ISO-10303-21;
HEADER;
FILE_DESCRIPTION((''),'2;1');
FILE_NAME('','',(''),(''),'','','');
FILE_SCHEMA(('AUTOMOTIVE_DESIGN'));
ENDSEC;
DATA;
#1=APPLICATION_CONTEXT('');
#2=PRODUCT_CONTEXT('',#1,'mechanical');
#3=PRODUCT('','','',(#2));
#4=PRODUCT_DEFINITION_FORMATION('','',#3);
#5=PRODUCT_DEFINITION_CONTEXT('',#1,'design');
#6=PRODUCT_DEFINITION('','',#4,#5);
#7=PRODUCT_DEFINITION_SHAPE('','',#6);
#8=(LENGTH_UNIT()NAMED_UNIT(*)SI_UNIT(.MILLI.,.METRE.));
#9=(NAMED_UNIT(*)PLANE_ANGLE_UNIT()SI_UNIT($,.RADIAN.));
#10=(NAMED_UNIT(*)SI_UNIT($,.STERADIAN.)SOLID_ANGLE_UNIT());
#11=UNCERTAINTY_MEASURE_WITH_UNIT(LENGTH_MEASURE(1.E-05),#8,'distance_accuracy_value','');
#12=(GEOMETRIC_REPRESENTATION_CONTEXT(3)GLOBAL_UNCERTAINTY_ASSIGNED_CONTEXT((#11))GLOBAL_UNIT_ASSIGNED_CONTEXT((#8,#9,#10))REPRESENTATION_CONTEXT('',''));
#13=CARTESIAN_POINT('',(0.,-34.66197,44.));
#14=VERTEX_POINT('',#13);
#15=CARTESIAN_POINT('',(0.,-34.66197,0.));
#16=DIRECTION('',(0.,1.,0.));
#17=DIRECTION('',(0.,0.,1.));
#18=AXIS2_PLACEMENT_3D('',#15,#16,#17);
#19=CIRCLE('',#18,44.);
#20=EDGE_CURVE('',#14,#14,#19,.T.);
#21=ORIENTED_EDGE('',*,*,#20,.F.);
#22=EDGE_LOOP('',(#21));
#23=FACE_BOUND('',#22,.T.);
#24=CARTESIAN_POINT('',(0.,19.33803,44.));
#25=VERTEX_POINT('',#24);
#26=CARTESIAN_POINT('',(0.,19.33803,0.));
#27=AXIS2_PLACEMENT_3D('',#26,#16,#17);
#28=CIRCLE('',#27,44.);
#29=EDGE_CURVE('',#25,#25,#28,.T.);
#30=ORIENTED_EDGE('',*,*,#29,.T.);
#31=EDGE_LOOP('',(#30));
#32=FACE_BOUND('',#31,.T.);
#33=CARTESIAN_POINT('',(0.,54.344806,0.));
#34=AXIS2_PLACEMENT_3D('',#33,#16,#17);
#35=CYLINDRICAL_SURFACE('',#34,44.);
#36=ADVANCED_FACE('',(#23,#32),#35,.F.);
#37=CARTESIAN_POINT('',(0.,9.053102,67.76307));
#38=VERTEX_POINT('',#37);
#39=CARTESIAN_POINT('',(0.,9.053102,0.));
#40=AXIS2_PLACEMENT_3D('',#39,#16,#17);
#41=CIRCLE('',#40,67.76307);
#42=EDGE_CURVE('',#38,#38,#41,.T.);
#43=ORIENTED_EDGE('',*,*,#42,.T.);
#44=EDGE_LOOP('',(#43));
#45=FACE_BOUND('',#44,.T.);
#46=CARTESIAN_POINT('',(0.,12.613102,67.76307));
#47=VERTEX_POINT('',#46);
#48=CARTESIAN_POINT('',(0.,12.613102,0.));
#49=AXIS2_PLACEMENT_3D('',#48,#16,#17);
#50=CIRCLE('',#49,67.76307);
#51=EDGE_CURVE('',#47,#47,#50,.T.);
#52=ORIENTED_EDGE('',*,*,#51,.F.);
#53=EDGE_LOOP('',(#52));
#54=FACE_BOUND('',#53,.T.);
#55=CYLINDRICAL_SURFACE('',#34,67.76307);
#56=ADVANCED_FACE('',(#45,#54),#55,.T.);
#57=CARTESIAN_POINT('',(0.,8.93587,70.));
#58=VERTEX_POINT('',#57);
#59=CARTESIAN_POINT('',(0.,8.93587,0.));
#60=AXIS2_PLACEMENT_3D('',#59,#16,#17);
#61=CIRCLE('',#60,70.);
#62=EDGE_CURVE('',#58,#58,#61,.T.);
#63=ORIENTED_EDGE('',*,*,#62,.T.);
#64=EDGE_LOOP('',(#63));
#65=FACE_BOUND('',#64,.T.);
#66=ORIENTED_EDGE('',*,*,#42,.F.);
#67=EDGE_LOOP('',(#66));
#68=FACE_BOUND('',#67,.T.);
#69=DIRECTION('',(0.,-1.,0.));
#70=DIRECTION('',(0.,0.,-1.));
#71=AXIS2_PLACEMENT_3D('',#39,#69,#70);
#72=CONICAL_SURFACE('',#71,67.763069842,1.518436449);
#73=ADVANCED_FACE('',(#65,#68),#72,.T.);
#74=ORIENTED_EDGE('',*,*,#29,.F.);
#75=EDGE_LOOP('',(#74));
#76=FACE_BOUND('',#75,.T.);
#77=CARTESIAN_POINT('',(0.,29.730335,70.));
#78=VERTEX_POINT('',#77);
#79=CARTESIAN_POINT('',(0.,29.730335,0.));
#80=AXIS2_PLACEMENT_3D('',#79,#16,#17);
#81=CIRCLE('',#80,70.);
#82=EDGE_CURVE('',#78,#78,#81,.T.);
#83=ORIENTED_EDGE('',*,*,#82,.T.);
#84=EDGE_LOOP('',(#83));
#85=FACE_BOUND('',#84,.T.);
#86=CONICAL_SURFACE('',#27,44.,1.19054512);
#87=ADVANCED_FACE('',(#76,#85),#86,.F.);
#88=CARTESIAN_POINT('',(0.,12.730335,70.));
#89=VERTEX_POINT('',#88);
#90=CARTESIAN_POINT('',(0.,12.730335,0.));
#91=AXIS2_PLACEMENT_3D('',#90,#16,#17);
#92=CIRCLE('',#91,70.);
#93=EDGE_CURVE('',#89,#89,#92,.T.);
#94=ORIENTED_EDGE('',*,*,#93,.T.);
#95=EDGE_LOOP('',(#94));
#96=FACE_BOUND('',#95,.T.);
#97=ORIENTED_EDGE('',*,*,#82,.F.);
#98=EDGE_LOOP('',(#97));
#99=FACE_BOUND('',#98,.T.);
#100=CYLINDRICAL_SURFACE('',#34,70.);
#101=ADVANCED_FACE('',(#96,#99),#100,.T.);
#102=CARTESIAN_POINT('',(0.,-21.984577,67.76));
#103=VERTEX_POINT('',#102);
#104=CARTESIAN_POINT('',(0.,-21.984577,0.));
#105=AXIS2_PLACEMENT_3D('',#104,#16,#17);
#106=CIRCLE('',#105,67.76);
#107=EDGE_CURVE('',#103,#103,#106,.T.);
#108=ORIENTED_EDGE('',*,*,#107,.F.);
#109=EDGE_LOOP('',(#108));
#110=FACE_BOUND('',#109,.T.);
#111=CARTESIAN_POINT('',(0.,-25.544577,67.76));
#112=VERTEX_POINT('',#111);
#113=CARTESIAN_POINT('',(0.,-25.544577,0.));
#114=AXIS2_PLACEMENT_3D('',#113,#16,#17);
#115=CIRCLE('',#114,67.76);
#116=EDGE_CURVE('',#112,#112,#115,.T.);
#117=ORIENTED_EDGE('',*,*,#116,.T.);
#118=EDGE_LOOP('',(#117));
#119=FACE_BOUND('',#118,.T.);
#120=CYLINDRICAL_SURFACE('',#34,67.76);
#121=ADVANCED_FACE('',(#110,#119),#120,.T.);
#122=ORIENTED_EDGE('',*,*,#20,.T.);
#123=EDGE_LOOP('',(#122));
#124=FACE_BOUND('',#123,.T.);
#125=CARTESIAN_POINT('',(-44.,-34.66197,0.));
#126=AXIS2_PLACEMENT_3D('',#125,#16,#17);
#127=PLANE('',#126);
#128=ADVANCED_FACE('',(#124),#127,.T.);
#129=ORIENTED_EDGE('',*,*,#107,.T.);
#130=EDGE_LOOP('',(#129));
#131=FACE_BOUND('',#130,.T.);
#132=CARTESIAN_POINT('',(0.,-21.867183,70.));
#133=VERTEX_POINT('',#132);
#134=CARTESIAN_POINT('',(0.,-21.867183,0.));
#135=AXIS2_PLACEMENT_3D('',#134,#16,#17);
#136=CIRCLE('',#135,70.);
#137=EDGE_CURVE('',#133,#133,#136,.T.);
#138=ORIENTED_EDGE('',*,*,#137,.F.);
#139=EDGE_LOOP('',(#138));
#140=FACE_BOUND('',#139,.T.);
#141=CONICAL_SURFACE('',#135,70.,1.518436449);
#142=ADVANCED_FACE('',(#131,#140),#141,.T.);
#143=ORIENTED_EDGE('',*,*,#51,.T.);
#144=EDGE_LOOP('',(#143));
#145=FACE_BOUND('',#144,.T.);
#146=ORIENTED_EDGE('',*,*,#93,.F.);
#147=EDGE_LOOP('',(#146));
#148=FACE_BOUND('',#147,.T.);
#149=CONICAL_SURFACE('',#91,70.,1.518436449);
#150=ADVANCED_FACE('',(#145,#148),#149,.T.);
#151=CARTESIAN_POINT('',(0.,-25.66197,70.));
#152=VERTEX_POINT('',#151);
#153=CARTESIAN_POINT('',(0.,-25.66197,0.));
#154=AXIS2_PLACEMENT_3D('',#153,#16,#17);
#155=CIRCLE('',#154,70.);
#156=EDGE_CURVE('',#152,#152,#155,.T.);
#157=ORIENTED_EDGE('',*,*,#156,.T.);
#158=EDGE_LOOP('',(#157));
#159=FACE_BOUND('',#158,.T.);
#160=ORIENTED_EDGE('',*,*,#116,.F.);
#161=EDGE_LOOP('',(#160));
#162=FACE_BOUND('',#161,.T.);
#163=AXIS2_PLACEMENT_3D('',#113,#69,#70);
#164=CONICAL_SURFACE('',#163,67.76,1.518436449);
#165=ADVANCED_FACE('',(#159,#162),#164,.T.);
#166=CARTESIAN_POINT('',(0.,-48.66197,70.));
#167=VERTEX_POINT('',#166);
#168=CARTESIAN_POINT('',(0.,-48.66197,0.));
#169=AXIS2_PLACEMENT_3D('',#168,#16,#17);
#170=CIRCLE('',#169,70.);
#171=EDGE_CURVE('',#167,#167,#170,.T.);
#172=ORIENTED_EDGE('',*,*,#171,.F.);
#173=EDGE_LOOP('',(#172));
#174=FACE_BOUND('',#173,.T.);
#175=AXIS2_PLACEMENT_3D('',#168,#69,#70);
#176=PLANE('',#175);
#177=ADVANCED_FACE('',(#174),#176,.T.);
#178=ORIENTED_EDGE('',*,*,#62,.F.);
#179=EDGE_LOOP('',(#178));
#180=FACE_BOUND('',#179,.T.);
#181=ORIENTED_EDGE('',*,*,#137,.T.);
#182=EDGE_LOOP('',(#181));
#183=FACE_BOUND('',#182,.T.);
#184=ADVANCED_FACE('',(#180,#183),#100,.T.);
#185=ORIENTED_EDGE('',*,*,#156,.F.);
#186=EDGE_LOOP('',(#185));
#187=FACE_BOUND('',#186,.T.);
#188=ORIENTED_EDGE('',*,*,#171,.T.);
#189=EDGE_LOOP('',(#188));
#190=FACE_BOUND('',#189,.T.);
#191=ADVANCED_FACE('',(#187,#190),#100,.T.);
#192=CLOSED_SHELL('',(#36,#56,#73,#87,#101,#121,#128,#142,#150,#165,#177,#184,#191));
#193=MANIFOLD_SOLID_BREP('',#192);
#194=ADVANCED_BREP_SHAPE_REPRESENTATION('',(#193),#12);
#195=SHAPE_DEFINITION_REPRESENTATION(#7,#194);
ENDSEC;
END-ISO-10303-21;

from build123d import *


with BuildPart() as part:
    # Sketch1 → Revolve2 (revolve)
    with BuildSketch(Plane.XY, mode=Mode.PRIVATE) as revolve2_sk:
        Polygon((0, -48.66197009), (-70, -48.66197009), (-70, -25.66197009), (-67.76, -25.544576664), (-67.76, -21.984576664), (-70, -21.867183239), (-70, 8.935869672), (-67.763069842, 9.053102214), (-67.763069842, 12.613102214), (-70, 12.730334756), (-70, 29.730334756), (-44, 19.33802991), (-44, -34.66197009), (0, -34.66197009), align=None)
    revolve(revolve2_sk.sketch.rotate(Axis((0, 54.344805547, 0), (0, -1, 0)), 270), axis=Axis((0, 54.344805547, 0), (0, -1, 0)))


solid = part.part
